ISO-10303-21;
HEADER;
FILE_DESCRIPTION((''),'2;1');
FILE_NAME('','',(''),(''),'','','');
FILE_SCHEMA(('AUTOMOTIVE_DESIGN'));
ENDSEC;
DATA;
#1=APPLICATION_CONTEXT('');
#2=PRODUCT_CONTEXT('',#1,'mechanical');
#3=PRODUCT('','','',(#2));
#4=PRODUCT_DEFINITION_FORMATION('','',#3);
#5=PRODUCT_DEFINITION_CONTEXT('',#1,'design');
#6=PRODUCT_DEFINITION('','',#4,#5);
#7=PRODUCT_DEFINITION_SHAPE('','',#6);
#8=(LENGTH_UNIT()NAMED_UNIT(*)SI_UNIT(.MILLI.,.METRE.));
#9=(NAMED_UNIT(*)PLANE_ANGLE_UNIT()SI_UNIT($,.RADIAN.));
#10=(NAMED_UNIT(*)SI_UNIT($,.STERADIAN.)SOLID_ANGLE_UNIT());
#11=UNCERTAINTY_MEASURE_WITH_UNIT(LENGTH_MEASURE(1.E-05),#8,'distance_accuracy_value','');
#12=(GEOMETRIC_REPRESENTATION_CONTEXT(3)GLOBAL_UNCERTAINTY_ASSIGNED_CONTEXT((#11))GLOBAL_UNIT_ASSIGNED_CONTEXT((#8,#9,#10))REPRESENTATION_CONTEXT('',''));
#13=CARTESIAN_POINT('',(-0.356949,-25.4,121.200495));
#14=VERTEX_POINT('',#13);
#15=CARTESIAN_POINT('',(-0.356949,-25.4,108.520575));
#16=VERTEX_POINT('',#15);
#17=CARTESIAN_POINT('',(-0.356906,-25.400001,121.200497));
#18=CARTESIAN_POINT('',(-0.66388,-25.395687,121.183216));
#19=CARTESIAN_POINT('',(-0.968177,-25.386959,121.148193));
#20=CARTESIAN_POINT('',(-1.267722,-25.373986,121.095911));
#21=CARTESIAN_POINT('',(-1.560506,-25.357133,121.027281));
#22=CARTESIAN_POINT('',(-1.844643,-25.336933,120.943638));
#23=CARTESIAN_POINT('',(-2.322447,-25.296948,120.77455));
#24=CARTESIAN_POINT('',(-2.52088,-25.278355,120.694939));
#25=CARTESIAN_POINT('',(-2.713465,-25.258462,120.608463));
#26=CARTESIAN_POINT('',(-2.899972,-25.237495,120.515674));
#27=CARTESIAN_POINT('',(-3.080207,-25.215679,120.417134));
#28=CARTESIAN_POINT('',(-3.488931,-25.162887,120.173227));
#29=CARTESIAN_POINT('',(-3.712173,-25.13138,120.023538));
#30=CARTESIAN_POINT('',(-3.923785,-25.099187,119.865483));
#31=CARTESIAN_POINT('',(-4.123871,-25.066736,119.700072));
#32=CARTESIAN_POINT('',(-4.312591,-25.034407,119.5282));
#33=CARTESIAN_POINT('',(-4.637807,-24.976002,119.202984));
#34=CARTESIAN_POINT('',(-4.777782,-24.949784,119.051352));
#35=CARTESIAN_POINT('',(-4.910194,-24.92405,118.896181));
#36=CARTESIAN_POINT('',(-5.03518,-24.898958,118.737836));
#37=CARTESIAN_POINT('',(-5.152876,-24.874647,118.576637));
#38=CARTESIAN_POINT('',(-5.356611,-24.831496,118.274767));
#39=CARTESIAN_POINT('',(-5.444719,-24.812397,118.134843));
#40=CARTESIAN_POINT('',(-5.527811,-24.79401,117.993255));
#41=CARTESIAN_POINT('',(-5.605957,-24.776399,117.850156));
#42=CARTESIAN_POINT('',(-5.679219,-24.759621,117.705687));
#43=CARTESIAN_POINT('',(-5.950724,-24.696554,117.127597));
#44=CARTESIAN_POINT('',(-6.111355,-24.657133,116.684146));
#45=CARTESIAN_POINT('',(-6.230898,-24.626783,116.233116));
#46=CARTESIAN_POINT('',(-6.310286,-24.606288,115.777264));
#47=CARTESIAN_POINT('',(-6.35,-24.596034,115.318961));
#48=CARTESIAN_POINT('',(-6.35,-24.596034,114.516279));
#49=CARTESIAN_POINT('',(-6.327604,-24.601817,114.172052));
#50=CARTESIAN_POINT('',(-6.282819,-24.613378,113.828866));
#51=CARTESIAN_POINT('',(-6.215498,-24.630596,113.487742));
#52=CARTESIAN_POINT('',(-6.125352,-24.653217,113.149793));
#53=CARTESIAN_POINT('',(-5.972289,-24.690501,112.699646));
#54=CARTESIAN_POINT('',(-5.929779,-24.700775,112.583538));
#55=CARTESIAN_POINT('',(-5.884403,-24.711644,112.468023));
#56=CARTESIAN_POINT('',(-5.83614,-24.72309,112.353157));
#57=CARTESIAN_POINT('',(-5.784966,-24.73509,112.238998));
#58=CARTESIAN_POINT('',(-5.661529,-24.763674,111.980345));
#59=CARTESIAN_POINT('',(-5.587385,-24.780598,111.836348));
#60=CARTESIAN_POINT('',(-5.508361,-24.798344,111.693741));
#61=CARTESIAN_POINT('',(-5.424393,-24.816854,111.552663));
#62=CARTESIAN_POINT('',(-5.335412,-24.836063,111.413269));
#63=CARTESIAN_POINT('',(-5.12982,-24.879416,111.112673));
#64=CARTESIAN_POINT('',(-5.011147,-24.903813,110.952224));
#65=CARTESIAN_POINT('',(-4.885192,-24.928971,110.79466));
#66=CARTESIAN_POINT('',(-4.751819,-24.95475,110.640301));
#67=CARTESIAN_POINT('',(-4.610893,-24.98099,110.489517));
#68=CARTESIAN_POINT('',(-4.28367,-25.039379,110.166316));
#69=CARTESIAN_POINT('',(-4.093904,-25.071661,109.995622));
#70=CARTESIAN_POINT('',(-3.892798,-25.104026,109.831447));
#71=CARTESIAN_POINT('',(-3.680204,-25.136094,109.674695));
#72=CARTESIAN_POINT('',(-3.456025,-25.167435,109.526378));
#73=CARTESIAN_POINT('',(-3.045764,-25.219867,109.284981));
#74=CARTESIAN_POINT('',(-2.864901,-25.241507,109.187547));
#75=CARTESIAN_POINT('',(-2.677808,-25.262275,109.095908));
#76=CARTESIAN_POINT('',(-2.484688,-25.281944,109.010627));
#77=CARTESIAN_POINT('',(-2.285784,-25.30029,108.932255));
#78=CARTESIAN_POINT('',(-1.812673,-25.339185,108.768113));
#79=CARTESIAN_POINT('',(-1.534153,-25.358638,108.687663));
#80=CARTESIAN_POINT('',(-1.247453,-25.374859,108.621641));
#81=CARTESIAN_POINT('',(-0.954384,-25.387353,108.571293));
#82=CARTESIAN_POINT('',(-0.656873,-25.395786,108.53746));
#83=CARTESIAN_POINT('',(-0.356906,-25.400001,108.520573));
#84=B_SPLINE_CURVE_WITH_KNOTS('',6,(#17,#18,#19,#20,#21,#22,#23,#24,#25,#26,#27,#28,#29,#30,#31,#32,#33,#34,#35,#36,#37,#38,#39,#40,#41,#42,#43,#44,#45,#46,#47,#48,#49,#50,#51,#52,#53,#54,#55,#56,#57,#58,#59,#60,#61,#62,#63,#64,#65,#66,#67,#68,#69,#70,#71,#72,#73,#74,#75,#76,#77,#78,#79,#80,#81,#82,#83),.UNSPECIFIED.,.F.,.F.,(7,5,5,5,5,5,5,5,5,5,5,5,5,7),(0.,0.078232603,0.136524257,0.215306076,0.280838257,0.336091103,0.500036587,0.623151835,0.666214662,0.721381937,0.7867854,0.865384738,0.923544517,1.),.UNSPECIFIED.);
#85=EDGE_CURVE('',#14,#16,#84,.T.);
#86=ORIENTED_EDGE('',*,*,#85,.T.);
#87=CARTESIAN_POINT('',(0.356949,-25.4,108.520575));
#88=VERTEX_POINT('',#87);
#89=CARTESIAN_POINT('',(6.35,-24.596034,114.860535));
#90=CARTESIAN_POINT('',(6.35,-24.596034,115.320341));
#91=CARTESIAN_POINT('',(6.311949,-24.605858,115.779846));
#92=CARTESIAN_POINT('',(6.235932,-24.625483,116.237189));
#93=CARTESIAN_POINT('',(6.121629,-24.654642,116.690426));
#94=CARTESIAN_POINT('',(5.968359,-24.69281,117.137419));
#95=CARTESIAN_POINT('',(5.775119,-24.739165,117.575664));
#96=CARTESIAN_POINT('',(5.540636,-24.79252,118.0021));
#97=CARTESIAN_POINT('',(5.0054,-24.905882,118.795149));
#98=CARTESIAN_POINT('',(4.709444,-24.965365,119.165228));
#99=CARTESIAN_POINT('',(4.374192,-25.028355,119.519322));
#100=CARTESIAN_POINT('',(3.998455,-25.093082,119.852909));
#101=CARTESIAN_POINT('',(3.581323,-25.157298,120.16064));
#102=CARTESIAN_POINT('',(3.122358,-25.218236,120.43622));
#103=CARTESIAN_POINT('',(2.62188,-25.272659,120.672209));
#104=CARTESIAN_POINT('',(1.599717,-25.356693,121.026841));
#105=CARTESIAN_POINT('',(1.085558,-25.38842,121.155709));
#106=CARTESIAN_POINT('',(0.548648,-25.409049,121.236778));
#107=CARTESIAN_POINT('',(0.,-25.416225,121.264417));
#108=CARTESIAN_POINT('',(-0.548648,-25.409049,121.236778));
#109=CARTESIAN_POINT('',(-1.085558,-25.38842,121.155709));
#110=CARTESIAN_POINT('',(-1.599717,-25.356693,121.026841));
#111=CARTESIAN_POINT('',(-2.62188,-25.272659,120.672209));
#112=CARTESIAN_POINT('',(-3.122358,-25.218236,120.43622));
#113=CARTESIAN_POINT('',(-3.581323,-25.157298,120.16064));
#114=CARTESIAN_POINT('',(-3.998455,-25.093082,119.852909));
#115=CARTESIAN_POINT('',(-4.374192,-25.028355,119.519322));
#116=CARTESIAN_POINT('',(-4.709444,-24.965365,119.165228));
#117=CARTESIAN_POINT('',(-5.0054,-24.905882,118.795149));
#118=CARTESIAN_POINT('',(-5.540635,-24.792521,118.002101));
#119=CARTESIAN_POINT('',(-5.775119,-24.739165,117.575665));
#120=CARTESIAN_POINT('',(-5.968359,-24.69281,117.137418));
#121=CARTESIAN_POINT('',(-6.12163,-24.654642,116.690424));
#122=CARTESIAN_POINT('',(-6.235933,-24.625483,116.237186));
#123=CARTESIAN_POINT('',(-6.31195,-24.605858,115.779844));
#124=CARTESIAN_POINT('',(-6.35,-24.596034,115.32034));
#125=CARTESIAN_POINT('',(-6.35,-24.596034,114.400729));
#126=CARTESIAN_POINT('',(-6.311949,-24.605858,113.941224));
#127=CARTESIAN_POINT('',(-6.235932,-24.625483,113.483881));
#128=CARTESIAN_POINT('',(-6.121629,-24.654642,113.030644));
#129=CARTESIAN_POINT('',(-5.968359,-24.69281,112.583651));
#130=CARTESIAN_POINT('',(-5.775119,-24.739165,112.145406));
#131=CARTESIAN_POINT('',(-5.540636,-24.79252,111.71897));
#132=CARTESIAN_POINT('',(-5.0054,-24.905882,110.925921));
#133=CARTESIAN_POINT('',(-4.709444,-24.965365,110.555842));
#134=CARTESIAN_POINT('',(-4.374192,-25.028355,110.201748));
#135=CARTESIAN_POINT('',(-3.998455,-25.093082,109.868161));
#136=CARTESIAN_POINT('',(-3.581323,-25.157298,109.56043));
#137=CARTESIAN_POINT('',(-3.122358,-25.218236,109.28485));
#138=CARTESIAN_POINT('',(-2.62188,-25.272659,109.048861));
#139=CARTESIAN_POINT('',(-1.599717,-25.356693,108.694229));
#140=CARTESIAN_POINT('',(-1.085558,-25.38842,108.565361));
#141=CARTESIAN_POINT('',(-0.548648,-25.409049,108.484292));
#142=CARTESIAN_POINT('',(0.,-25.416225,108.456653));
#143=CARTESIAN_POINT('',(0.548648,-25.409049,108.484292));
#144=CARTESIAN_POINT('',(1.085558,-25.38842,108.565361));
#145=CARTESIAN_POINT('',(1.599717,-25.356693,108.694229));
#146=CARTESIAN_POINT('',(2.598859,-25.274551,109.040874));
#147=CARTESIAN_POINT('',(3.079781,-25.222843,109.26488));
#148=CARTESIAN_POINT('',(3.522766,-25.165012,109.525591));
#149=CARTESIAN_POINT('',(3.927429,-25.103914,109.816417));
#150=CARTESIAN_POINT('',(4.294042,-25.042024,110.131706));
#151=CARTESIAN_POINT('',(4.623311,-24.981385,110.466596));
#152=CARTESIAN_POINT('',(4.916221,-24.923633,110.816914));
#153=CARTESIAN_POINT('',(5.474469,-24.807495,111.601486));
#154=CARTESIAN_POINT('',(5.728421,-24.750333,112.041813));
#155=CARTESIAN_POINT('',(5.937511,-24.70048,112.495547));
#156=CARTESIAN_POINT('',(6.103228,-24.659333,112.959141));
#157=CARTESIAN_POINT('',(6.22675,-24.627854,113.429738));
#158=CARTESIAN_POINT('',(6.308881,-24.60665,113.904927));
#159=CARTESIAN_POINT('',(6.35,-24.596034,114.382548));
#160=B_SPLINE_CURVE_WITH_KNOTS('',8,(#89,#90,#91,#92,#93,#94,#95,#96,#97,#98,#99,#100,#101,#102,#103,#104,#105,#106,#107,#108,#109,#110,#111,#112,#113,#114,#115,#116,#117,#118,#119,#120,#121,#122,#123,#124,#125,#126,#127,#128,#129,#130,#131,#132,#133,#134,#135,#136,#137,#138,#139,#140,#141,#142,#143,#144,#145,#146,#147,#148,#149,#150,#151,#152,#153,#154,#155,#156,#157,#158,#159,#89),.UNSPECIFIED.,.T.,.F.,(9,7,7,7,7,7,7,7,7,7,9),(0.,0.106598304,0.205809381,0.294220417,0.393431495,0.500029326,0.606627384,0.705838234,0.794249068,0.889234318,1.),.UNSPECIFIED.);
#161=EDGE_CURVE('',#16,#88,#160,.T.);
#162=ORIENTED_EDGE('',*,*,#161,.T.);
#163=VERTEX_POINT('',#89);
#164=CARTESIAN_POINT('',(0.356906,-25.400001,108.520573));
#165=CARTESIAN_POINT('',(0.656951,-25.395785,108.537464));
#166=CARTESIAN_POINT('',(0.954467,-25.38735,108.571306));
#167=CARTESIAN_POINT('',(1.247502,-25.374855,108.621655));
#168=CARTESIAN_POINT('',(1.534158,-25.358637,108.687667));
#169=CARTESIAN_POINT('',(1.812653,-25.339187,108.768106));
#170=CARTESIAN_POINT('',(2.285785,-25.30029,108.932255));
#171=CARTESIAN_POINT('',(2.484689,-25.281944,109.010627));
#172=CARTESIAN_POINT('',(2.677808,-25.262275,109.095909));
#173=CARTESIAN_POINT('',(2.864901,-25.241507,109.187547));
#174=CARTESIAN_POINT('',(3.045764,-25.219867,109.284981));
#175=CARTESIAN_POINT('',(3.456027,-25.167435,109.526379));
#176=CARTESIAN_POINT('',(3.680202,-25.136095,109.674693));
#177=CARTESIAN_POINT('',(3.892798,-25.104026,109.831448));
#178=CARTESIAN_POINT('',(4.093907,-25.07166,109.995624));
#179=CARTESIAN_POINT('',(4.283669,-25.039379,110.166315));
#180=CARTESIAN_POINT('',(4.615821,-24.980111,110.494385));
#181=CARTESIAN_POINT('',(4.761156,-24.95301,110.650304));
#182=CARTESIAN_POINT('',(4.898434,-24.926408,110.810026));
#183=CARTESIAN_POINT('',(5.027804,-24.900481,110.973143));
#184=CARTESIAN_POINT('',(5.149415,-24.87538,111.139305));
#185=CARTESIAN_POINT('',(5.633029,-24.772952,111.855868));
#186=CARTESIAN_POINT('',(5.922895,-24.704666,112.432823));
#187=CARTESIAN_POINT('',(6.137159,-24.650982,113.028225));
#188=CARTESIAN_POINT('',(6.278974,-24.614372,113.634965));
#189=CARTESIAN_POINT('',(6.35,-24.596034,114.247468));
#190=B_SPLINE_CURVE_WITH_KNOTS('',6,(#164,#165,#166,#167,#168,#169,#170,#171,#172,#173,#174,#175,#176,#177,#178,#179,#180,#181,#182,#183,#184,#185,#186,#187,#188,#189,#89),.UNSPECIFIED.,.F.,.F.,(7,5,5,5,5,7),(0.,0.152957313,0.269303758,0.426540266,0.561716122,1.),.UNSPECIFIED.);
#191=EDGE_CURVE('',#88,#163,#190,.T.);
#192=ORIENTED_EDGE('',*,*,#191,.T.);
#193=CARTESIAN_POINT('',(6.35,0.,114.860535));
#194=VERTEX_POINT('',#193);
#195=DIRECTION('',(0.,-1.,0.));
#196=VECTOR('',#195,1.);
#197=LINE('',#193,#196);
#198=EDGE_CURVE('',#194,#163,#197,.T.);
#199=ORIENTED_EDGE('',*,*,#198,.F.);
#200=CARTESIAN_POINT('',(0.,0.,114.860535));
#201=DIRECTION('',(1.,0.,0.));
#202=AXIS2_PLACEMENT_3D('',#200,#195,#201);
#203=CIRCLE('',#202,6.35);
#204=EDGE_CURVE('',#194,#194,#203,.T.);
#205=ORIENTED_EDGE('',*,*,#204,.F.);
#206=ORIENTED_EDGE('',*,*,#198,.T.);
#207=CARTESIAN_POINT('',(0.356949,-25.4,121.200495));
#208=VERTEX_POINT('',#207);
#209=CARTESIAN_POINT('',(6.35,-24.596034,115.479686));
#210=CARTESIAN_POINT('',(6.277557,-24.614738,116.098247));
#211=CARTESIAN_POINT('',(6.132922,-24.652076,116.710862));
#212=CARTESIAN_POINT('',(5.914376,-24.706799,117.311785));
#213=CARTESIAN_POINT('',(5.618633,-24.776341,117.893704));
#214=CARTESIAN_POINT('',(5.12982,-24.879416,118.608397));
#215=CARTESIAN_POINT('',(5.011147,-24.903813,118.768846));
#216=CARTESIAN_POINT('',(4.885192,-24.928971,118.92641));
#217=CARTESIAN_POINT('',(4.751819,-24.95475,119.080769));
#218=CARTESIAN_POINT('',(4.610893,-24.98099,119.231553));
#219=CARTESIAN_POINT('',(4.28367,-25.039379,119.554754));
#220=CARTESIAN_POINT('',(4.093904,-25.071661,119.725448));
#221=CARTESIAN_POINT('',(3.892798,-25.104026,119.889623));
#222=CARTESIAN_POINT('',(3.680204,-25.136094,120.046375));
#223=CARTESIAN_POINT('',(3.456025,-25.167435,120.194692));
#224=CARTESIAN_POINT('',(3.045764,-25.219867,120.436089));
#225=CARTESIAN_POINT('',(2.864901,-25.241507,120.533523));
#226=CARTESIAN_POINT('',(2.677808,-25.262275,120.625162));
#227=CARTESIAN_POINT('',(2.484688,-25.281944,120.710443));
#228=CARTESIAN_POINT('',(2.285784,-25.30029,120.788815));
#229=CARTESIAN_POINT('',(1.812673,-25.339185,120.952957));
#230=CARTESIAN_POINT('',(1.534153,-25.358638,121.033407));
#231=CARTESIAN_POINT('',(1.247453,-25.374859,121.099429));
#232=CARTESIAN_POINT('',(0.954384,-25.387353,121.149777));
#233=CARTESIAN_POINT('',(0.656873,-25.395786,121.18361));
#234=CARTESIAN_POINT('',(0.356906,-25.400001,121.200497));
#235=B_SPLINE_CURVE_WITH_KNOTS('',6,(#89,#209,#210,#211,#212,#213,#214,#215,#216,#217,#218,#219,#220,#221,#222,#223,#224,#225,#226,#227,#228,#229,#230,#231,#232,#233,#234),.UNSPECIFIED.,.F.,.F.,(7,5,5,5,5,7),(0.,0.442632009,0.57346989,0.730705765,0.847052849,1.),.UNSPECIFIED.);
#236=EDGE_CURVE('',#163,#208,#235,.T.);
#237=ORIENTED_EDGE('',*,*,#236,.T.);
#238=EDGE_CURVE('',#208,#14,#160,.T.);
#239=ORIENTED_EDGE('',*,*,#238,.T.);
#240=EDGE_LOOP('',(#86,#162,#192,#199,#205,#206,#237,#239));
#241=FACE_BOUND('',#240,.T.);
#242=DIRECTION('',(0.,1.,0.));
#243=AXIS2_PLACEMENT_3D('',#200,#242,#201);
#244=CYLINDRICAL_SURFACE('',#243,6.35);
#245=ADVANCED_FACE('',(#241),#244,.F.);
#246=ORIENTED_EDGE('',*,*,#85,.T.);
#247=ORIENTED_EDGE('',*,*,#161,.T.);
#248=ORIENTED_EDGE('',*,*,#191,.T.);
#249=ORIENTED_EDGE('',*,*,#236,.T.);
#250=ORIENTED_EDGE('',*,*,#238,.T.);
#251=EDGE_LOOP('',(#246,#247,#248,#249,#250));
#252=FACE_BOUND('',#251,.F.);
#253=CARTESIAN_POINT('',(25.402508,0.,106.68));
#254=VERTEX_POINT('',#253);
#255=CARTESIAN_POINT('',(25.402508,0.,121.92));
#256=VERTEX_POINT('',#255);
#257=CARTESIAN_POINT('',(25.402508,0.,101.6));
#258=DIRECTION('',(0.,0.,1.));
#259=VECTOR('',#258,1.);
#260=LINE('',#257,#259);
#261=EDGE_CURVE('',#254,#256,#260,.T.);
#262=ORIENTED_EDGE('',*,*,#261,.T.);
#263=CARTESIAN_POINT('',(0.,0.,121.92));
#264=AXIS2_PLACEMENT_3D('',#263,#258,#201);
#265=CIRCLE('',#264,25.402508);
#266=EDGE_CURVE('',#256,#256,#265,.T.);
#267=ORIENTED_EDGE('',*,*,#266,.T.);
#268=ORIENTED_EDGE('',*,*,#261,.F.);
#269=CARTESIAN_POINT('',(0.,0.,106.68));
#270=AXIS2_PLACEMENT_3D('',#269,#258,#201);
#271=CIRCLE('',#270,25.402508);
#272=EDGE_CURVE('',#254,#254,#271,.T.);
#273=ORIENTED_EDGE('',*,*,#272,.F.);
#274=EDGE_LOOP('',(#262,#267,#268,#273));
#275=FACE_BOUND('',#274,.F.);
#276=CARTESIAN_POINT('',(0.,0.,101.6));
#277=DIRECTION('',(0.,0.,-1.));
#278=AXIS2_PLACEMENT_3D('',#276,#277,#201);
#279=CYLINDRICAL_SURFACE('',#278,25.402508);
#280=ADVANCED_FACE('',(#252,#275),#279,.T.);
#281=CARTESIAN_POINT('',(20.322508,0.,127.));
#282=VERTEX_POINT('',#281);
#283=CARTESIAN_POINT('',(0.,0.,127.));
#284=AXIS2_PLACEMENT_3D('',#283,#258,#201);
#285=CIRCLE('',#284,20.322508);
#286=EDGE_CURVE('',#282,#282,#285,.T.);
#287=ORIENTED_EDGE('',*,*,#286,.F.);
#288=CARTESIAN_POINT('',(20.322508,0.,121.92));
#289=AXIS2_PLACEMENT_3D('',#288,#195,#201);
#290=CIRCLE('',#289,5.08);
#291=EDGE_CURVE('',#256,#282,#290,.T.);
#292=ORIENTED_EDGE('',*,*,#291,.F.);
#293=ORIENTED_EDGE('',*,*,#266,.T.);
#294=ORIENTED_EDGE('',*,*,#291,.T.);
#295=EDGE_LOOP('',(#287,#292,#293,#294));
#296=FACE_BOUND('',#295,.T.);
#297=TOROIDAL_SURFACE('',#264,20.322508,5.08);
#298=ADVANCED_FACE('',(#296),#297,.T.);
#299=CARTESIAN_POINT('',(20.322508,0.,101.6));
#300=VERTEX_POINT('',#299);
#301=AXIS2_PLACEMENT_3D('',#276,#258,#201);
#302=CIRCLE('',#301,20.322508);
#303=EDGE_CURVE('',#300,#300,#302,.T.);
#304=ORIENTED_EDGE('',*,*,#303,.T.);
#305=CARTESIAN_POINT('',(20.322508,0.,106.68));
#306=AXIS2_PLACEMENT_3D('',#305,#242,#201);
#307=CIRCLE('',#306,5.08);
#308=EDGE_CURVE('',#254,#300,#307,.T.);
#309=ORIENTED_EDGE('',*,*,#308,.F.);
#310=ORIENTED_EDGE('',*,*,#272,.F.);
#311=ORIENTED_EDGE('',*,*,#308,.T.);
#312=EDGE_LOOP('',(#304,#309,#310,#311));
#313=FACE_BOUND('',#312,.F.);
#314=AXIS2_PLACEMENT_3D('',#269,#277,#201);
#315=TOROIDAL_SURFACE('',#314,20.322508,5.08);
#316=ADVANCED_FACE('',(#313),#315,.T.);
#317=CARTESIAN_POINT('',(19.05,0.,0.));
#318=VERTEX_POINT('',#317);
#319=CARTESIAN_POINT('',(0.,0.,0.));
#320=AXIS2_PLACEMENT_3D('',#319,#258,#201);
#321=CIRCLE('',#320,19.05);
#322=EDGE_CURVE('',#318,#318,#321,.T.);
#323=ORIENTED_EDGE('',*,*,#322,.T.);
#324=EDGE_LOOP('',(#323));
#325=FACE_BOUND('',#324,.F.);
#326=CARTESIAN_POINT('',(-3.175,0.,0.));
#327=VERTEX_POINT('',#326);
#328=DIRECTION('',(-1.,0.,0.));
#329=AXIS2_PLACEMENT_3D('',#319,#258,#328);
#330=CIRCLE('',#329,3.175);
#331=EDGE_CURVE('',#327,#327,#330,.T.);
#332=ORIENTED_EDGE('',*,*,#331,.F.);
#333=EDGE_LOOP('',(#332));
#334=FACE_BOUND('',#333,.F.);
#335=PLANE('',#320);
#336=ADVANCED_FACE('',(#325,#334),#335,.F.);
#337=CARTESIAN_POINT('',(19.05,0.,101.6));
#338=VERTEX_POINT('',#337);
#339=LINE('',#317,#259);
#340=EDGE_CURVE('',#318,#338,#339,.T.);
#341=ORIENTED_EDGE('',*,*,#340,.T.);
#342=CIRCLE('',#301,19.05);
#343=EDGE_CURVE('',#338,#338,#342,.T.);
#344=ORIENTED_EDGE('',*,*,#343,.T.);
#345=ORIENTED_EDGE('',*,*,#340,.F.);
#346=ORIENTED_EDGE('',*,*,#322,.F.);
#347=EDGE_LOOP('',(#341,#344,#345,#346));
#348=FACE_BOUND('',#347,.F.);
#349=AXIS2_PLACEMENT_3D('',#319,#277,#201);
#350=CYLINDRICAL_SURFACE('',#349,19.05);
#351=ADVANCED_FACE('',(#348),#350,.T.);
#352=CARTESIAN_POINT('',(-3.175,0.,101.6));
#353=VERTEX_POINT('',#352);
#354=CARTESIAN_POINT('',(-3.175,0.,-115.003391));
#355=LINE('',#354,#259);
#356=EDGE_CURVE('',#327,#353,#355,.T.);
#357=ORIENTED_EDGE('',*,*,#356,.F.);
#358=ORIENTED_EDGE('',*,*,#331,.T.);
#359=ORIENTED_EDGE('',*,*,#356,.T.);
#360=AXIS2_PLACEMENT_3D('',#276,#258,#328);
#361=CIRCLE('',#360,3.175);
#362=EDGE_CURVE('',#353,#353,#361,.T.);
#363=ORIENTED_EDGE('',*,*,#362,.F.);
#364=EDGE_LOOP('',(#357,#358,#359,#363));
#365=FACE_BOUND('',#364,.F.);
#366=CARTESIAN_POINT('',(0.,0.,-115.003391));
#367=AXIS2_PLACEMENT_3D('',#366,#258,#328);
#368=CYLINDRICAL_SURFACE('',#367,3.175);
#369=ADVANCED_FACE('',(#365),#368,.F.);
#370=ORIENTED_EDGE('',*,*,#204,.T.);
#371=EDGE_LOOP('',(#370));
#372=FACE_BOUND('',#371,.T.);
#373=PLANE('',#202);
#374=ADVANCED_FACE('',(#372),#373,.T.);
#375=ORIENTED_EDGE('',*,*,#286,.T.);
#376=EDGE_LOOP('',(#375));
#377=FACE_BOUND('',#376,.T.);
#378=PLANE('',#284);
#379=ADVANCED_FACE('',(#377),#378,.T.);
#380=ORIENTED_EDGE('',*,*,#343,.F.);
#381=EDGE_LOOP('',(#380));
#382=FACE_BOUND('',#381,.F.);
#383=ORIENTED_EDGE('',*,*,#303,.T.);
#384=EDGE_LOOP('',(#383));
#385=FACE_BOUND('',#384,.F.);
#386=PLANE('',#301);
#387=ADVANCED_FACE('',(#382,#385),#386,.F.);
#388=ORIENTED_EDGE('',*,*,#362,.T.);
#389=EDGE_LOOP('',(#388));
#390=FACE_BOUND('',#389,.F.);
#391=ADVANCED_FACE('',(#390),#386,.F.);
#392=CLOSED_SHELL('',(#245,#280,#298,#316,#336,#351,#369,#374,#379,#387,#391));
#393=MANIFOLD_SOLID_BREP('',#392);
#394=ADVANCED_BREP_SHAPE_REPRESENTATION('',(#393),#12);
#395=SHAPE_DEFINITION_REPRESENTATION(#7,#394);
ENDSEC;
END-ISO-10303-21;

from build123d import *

# Parameters (mm, degrees)
F0_R     = 19.05
F1_DEPTH = 101.6
F3_D     = 6.35
F4_R     = 25.402508
F5_DEPTH = 25.4
F6_R     = 6.35
F7_DEPTH = 25.4
F8_R     = 6.35
F9_DEPTH = 127
F10_R    = 5.08


with BuildPart() as f1:
    # F0 (on Top) → F1 (new body)
    with BuildSketch(Plane.XY):
        Circle(F0_R)
    extrude(amount=F1_DEPTH)

    # F3 (through all)
    with Locations(Plane(origin=(0, 0, 0), x_dir=(1, 0, 0), z_dir=(0, 0, -1))):
        with Locations((0, 0)):
            Hole(F3_D / 2)

    # F4 (on face) → F5 (join)
    with BuildSketch(Plane.XY.offset(101.6)):
        Circle(F4_R)
    extrude(amount=F5_DEPTH)

    # F6 (on Front) → F7 (cut)
    with BuildSketch(Plane.XZ):
        with Locations((0, 114.860535)):
            Circle(F6_R)
    extrude(amount=F7_DEPTH, mode=Mode.SUBTRACT)

    # F8 (on face) → F9 (cut)
    with BuildSketch(Plane.XZ):
        with Locations((0, 114.860535)):
            Circle(F8_R)
    extrude(amount=F9_DEPTH, mode=Mode.SUBTRACT)

    # F10
    f10_edges = [f1.edges().sort_by_distance(p)[0] for p in [
        (-25.402508, 0, 101.6),
        (-25.402508, 0, 127),
    ]]
    fillet(f10_edges, radius=F10_R)


solid = f1.part
